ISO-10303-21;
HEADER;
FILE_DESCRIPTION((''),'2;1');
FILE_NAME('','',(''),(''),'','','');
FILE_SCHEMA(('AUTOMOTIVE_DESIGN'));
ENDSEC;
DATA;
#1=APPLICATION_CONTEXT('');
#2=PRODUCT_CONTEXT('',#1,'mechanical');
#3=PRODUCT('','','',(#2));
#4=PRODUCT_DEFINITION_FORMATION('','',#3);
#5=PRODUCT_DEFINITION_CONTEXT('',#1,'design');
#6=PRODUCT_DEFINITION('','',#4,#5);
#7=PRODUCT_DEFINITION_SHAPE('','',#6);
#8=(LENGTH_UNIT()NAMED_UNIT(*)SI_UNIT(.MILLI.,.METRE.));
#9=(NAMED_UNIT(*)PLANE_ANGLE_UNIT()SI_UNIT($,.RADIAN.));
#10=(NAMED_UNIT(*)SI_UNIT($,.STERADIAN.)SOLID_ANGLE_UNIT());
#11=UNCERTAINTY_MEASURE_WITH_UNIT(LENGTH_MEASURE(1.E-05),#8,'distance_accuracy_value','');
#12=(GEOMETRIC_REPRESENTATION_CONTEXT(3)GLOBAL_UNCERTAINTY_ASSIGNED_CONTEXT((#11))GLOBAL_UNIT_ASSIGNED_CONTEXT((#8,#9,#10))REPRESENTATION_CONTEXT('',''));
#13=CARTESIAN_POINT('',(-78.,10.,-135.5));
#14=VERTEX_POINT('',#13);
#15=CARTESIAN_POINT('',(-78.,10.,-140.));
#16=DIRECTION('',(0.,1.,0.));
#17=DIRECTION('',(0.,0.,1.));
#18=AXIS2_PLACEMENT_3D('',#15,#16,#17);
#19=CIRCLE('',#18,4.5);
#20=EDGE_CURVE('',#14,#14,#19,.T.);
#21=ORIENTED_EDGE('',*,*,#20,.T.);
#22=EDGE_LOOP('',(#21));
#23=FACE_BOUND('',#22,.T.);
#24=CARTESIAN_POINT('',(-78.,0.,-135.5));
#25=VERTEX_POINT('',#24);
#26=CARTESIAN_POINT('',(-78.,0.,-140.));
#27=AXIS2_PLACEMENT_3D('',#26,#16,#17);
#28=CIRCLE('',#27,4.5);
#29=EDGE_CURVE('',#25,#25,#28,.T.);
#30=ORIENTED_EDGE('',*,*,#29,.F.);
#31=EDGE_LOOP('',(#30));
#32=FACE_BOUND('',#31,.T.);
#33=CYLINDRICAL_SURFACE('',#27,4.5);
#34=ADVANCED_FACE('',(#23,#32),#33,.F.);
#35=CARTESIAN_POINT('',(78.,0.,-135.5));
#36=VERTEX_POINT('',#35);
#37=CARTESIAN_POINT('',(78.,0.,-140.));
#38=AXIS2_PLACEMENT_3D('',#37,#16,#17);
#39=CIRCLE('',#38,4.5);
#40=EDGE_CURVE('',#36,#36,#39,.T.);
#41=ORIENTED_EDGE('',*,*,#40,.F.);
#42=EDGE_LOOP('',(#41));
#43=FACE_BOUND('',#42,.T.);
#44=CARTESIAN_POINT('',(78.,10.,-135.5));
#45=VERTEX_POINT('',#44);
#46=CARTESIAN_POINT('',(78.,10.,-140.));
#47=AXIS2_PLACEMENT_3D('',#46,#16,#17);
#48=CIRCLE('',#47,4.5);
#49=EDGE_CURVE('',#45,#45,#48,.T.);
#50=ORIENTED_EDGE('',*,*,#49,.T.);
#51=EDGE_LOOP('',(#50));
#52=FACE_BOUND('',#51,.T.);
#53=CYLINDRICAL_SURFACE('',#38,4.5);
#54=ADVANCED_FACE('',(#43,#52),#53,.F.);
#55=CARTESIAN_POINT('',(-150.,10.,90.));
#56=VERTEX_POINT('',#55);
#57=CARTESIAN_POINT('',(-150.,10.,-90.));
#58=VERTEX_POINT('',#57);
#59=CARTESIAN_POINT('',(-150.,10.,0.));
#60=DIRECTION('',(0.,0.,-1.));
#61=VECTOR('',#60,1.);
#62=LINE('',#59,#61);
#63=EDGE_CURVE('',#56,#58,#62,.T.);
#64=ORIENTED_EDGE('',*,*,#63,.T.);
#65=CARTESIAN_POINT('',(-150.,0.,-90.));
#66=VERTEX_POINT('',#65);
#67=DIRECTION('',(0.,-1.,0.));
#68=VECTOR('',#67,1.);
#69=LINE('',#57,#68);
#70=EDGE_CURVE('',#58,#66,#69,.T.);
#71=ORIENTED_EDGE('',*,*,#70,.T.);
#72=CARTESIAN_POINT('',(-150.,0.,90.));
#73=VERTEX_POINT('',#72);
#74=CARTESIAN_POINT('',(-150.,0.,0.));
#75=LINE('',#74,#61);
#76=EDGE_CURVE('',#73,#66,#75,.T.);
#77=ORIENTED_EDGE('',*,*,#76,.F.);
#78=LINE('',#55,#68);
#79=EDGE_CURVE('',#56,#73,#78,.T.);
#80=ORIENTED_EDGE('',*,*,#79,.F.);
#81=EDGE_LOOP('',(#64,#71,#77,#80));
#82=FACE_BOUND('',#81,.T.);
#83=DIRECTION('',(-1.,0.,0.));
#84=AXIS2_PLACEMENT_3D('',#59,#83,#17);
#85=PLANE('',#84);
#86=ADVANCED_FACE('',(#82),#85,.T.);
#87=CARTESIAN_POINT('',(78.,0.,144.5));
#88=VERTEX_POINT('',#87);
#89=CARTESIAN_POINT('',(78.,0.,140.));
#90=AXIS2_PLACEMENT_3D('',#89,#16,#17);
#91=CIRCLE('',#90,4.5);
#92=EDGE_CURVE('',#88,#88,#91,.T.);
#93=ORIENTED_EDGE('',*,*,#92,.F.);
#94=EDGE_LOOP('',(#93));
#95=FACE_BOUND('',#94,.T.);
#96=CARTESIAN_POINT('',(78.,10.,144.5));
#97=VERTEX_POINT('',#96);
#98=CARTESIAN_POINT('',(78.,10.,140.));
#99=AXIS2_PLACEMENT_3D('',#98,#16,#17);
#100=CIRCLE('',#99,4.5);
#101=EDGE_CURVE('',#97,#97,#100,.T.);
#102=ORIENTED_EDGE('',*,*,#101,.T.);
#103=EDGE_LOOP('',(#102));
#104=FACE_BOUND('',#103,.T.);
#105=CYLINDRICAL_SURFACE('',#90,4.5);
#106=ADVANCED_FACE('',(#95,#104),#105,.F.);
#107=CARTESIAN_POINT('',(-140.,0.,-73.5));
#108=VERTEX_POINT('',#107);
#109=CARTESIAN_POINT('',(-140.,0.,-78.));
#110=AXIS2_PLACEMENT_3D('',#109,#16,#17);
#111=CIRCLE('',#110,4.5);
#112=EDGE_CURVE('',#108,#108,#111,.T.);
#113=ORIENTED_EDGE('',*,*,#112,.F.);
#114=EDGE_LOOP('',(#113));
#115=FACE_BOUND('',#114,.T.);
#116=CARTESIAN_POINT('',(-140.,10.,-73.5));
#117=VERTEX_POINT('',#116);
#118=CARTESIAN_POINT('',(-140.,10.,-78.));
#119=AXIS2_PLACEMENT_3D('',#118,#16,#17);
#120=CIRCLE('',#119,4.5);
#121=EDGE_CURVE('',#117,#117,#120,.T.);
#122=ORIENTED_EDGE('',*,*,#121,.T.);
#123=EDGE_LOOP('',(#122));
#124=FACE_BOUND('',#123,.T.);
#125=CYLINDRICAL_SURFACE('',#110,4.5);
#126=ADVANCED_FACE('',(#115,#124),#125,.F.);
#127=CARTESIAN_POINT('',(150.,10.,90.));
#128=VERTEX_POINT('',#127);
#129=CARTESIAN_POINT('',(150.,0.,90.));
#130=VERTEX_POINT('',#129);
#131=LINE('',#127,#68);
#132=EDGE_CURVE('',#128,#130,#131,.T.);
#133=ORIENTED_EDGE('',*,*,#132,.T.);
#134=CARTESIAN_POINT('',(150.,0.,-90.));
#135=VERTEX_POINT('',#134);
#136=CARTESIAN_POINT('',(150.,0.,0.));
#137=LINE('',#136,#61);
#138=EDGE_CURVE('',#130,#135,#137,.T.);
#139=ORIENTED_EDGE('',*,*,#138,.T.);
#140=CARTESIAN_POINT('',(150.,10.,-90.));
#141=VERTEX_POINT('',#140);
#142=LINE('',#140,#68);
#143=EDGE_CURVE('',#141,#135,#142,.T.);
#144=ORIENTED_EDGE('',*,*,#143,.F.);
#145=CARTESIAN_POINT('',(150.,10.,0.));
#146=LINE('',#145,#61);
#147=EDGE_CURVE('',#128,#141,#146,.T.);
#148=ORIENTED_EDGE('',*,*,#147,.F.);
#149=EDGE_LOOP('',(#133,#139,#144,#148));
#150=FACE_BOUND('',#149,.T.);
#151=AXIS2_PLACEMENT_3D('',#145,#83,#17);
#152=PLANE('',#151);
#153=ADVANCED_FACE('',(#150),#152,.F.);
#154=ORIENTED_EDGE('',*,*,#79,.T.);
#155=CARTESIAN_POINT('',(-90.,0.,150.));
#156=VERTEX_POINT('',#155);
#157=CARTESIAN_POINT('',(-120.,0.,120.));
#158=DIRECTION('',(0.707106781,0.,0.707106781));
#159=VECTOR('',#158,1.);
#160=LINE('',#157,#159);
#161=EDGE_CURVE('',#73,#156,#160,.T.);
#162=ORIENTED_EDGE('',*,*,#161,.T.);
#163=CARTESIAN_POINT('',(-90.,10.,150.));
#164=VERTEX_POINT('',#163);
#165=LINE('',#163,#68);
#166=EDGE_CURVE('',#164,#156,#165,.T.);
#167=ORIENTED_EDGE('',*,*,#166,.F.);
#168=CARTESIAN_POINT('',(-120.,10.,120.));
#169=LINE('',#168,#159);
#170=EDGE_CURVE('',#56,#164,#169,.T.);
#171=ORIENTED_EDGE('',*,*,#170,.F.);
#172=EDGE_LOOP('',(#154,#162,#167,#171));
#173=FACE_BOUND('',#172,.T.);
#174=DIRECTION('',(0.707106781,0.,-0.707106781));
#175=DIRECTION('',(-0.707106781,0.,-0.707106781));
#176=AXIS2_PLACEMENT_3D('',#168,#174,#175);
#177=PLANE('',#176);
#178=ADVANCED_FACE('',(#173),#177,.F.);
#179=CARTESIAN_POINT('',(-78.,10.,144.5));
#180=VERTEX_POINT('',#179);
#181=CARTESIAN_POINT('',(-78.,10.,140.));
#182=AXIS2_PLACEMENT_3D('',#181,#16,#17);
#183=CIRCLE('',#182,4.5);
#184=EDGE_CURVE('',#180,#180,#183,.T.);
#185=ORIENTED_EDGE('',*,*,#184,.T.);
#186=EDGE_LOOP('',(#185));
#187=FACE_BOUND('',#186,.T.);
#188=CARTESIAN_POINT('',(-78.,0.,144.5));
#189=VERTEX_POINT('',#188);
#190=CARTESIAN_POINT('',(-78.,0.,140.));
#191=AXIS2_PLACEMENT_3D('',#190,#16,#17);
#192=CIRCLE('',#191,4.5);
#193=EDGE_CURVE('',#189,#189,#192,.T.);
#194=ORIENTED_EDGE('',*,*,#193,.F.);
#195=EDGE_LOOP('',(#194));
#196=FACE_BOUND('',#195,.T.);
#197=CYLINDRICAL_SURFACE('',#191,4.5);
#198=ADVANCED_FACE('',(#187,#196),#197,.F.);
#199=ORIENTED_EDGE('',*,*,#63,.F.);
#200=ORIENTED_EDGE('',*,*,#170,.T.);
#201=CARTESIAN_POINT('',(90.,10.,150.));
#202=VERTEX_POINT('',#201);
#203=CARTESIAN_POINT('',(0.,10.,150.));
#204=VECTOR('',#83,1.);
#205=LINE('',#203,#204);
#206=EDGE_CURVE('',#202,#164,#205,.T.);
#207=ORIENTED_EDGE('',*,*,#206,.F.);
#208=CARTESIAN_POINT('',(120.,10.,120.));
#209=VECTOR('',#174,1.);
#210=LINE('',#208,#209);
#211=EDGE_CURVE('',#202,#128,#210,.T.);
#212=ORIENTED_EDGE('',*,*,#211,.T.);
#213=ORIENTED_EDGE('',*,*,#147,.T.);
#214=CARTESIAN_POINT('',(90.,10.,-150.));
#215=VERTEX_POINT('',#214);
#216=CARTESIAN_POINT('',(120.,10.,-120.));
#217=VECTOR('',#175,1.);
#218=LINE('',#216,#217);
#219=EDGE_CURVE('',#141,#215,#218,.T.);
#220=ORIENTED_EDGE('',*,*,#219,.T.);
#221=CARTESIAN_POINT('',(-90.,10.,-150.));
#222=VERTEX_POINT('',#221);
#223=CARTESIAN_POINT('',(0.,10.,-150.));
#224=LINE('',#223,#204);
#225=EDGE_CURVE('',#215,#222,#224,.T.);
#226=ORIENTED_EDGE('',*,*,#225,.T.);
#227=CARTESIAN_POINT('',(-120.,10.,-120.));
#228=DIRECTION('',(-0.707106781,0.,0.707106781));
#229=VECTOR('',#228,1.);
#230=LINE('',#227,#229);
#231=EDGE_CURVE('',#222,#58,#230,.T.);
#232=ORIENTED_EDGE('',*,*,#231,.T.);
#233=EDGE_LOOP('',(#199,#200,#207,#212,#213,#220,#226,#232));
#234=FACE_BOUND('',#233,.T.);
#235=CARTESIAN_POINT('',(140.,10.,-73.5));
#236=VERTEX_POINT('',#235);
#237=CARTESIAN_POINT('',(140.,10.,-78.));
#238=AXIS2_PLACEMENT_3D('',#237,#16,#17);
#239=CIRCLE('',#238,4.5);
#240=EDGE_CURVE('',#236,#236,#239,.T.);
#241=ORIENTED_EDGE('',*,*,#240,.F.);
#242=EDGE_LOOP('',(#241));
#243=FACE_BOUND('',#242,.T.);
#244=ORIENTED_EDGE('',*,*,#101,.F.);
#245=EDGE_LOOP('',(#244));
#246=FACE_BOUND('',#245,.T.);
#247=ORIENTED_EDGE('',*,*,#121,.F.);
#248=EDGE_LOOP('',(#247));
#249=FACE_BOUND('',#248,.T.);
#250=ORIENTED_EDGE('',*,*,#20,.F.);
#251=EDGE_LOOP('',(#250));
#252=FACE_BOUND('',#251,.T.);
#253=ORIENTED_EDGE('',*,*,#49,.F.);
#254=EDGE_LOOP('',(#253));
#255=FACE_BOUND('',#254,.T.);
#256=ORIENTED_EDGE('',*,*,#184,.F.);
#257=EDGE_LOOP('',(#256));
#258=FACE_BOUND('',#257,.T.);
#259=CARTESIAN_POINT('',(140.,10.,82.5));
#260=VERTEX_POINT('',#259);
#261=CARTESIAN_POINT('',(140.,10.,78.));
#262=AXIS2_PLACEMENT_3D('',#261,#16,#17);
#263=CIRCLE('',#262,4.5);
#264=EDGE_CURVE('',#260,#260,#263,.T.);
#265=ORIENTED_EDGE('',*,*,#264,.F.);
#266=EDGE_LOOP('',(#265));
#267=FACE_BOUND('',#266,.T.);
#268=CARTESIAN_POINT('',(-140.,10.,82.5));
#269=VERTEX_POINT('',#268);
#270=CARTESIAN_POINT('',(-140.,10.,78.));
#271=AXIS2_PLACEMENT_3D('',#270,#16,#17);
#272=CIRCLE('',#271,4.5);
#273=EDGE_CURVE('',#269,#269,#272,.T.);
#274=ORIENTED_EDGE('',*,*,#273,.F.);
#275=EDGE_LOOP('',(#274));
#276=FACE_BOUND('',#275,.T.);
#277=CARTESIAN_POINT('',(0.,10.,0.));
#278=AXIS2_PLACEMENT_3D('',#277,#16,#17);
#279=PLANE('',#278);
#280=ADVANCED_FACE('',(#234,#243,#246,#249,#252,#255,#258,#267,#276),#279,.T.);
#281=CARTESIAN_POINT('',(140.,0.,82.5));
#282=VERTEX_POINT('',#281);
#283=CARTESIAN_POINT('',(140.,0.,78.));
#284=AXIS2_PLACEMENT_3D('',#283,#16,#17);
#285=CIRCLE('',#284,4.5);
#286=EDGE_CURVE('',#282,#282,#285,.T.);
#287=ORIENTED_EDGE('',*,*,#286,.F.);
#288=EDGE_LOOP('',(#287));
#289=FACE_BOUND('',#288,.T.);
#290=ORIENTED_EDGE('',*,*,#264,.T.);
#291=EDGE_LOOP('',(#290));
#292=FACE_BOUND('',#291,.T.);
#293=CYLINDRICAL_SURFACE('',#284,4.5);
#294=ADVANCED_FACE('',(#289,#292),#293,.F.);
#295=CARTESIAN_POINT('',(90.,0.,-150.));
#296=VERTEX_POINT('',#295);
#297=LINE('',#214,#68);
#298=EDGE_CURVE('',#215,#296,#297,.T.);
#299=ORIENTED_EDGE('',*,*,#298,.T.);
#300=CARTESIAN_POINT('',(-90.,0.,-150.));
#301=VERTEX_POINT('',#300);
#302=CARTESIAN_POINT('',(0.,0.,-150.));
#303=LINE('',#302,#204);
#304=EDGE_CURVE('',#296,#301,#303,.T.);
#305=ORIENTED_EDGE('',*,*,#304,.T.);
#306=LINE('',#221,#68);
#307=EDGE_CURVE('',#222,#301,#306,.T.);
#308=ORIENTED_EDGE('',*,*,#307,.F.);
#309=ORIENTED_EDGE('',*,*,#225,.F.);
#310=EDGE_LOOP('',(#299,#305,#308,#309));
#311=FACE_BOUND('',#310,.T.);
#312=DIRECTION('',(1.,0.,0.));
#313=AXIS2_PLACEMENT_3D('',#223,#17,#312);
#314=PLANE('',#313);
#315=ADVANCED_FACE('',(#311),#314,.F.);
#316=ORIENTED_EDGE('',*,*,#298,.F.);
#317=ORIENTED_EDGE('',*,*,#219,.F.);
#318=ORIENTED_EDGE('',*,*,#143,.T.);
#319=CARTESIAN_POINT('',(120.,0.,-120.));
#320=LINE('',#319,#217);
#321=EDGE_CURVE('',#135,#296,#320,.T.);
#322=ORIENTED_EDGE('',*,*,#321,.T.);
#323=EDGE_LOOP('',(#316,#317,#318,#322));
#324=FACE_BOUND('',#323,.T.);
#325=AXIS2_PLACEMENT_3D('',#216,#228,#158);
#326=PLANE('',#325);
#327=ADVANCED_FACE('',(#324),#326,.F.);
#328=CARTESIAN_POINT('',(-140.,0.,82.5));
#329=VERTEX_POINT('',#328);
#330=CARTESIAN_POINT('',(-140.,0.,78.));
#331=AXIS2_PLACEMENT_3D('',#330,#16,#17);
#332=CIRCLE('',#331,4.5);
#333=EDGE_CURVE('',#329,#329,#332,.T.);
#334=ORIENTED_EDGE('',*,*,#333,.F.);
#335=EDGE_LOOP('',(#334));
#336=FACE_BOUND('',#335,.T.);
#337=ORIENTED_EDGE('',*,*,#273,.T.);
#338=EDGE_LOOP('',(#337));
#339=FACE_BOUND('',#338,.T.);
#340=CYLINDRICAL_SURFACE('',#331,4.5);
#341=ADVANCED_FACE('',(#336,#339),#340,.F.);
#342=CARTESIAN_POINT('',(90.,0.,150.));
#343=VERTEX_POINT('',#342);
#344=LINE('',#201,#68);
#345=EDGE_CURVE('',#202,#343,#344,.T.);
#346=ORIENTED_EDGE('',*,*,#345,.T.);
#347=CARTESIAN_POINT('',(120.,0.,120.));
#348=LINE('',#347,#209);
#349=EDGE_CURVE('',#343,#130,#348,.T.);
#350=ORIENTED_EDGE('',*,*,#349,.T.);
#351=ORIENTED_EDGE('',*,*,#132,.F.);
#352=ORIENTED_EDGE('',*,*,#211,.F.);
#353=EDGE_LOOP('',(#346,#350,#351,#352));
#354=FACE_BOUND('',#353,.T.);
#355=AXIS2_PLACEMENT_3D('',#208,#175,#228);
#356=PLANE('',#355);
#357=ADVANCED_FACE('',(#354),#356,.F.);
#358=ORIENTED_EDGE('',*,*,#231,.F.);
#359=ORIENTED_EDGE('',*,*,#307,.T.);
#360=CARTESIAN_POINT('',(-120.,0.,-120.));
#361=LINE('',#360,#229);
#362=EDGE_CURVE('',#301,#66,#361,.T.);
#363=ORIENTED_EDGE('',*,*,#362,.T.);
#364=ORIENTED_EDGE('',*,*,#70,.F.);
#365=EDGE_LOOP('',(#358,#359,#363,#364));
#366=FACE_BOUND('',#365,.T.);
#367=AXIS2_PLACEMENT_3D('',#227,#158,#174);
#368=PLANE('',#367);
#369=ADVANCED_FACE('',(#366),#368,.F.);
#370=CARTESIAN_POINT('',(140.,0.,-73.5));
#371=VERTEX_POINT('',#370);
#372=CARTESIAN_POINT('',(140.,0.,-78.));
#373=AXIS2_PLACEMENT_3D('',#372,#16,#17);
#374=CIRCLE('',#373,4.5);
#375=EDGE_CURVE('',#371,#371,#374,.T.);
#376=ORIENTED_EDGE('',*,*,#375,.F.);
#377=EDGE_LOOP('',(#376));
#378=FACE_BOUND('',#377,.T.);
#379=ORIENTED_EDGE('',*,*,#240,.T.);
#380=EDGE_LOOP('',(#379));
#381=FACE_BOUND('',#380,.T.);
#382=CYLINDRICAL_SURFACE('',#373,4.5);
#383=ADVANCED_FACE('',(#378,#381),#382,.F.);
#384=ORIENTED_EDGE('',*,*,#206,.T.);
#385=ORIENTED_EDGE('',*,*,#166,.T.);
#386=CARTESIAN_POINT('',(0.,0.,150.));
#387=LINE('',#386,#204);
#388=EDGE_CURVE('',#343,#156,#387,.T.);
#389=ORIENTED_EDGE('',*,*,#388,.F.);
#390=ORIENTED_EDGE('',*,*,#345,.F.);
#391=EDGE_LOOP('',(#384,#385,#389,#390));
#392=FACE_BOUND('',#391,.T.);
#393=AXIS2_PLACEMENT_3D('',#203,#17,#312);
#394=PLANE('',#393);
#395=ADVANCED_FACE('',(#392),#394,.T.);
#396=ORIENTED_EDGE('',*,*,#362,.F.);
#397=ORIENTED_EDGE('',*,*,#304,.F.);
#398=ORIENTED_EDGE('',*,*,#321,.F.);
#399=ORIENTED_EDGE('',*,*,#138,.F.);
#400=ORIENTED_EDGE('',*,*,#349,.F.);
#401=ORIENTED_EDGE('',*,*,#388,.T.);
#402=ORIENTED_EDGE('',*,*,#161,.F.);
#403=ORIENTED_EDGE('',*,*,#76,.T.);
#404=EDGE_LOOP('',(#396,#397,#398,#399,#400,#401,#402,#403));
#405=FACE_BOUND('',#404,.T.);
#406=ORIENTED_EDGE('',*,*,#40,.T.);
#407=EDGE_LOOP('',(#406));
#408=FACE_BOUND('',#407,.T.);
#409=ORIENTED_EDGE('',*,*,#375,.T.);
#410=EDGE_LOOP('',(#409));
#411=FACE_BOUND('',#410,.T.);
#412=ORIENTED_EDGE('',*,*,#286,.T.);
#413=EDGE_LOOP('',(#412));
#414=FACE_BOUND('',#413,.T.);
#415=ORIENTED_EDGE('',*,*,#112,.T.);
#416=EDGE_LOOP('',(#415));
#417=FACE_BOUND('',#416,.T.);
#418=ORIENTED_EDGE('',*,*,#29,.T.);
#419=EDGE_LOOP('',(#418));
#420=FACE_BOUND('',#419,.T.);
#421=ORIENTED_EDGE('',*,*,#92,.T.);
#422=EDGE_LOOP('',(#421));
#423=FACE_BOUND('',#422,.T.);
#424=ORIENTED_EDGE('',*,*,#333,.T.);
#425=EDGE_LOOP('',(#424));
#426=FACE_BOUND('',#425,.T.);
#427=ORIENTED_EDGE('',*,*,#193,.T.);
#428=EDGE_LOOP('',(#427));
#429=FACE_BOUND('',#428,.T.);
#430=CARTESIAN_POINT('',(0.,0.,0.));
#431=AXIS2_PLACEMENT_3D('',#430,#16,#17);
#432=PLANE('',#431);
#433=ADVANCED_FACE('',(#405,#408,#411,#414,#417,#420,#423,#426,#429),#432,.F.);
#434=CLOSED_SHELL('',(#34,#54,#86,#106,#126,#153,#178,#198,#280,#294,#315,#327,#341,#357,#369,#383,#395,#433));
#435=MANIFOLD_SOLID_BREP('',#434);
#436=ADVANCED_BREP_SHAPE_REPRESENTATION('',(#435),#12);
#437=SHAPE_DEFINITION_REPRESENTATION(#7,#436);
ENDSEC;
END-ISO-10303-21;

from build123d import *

# Parameters (mm, degrees)
SKETCH1_W           = 60
SKETCH1_H           = 180
SKETCH1_W_2         = 180
SKETCH1_H_2         = 60
BOSS_EXTRUDE1_DEPTH = 10
SKETCH2_R           = 4.5
CUT_EXTRUDE1_DEPTH  = 11


with BuildPart() as part:
    # Sketch1 → Boss-Extrude1 (new body)
    with BuildSketch(Plane(origin=(0, 0, 0), x_dir=(1, 0, 0), z_dir=(0, 1, 0))):
        with Locations((-120, 0)):
            Rectangle(SKETCH1_W, SKETCH1_H)
        Polygon((-90, -90), (-150, -90), (-90, -150), align=None)
        Polygon((-90, 90), (-90, 150), (-150, 90), align=None)
        with Locations((0, 120)):
            Rectangle(SKETCH1_W_2, SKETCH1_H_2)
        Rectangle(SKETCH1_W_2, SKETCH1_H)
        with Locations((0, -120)):
            Rectangle(SKETCH1_W_2, SKETCH1_H_2)
        Polygon((150, -90), (90, -90), (90, -150), align=None)
        with Locations((120, 0)):
            Rectangle(SKETCH1_W, SKETCH1_H)
        Polygon((150, 90), (90, 150), (90, 90), align=None)
    extrude(amount=BOSS_EXTRUDE1_DEPTH)

    # Sketch2 → Cut-Extrude1 (cut, through all)
    with BuildSketch(Plane(origin=(0, 10, 0), x_dir=(1, 0, 0), z_dir=(0, 1, 0))):
        with Locations((-78, 140)):
            Circle(SKETCH2_R)
        with Locations((-140, 78)):
            Circle(SKETCH2_R)
        with Locations((-140, -78)):
            Circle(SKETCH2_R)
        with Locations((-78, -140)):
            Circle(SKETCH2_R)
        with Locations((78, -140)):
            Circle(SKETCH2_R)
        with Locations((140, -78)):
            Circle(SKETCH2_R)
        with Locations((140, 78)):
            Circle(SKETCH2_R)
        with Locations((78, 140)):
            Circle(SKETCH2_R)
    extrude(amount=-CUT_EXTRUDE1_DEPTH, mode=Mode.SUBTRACT)


solid = part.part
